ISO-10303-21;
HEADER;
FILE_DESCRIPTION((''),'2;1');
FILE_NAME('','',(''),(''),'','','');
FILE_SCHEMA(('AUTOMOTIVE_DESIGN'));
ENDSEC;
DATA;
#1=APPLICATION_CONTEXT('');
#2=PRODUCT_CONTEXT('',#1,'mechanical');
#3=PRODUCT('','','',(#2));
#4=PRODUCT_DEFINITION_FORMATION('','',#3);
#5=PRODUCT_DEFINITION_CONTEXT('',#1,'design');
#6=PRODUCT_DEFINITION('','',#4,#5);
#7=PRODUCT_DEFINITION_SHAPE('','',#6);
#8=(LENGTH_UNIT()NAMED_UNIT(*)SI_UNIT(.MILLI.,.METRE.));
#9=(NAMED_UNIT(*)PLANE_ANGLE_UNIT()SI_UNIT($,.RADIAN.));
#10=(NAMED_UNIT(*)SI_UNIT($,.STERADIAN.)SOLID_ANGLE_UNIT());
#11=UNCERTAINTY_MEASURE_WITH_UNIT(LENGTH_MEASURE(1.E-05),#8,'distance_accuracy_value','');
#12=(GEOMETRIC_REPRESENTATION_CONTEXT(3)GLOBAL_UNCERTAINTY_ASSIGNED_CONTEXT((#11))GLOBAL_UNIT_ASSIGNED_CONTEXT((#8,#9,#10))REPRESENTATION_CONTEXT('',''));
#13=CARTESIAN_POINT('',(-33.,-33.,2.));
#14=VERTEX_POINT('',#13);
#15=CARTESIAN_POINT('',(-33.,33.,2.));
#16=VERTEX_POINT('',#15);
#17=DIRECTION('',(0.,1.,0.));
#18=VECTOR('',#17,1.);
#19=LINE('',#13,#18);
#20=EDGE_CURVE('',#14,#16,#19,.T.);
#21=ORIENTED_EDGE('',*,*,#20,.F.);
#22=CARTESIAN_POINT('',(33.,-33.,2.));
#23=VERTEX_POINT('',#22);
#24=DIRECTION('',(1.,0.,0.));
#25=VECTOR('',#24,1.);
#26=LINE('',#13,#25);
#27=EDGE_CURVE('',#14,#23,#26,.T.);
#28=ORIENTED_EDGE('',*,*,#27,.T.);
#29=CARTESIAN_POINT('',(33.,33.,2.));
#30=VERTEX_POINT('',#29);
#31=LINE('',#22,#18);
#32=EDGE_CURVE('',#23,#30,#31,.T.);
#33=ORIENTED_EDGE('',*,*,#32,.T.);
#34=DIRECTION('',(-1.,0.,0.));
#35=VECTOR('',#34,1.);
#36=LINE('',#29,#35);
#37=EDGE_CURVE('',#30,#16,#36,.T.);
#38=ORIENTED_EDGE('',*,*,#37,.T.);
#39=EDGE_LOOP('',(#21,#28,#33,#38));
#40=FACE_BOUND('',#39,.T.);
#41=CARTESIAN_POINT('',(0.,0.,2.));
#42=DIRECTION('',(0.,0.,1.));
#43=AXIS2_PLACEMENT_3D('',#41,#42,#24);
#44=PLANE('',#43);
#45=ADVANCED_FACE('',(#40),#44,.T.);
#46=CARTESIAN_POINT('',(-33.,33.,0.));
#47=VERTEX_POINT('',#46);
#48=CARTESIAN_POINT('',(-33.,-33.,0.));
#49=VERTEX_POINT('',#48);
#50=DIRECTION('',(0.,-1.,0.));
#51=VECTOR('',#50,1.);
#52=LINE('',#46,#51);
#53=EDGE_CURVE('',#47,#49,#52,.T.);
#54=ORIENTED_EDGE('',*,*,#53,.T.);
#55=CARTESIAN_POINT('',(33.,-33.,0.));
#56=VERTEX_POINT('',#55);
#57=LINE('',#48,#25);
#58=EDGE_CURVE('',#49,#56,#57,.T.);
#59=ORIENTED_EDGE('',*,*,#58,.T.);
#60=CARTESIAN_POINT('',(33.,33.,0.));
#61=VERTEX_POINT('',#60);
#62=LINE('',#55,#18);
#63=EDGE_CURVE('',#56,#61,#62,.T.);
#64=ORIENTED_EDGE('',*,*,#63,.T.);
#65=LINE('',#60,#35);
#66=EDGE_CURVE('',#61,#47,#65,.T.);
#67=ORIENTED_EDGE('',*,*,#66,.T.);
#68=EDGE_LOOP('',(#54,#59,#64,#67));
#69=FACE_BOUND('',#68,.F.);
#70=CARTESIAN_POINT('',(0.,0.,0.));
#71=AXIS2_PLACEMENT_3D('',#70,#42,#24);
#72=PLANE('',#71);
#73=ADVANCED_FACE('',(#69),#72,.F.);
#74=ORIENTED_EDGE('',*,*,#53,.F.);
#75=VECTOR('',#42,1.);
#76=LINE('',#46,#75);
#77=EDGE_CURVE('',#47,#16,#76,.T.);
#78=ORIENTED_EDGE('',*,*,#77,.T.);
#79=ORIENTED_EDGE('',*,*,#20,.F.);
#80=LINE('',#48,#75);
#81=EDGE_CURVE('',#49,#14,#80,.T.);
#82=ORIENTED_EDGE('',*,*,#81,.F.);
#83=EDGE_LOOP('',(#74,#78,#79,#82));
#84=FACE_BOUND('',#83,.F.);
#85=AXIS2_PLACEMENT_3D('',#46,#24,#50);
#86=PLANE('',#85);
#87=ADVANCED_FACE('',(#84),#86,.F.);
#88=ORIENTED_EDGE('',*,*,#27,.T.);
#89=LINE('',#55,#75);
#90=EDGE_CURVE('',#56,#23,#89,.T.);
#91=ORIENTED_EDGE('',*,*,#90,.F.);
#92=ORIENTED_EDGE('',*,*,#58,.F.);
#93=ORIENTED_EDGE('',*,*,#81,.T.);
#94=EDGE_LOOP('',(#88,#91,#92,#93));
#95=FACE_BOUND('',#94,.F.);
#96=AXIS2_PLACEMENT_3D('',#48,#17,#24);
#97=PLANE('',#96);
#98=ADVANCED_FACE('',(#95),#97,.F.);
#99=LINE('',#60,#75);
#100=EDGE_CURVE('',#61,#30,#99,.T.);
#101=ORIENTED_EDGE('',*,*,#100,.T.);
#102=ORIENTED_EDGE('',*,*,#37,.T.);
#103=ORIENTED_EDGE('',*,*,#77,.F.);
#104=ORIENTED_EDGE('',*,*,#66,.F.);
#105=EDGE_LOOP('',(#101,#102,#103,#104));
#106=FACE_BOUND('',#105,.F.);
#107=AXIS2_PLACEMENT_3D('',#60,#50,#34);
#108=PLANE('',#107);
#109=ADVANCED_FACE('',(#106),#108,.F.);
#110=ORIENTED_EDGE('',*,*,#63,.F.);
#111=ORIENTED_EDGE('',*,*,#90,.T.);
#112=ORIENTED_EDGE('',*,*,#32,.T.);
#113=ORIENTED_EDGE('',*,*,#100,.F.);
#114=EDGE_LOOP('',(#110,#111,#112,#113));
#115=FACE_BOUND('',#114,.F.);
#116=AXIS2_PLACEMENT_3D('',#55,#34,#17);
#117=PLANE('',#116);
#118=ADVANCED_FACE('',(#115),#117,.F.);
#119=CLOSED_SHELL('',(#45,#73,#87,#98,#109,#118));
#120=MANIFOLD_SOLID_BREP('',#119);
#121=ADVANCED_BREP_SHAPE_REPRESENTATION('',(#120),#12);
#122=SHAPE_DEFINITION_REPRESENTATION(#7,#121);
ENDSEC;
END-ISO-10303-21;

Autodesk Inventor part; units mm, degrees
ref_plane "YZ Plane" through (0, 0, 0) normal (1, 0, 0) x (0, 1, 0)
ref_plane "XZ Plane" through (0, 0, 0) normal (0, 1, 0) x (-1, 0, 0)
ref_plane "XY Plane" through (0, 0, 0) normal (0, 0, 1) x (1, 0, 0)
sketch "Boceto1" plane through (0, 0, 0) normal (0, 0, 1) x (1, 0, 0)
  line L0 (30, -30) -> (-33, -30) projected
  line L1 (-33, -30) -> (-33, -33) projected
  line L2 (-33, -33) -> (33, -33) projected
  line L3 (33, -33) -> (33, 33) projected
  line L4 (33, 33) -> (-33, 33) projected
  line L5 (-33, 33) -> (-33, 30) projected
  line L6 (-33, 30) -> (30, 30) projected
  line L7 (30, 30) -> (30, -30) projected
  line L8 (-33, 33) -> (33, 33)
  line L9 (33, 33) -> (33, -33)
  line L10 (33, -33) -> (-33, -33)
  line L11 (-33, -33) -> (-33, 33)
  point P0 (0, 0)
extrude "Extrusión1" add sketch "Boceto1" along normal blind 2
properties part number "Disco_Superior"
